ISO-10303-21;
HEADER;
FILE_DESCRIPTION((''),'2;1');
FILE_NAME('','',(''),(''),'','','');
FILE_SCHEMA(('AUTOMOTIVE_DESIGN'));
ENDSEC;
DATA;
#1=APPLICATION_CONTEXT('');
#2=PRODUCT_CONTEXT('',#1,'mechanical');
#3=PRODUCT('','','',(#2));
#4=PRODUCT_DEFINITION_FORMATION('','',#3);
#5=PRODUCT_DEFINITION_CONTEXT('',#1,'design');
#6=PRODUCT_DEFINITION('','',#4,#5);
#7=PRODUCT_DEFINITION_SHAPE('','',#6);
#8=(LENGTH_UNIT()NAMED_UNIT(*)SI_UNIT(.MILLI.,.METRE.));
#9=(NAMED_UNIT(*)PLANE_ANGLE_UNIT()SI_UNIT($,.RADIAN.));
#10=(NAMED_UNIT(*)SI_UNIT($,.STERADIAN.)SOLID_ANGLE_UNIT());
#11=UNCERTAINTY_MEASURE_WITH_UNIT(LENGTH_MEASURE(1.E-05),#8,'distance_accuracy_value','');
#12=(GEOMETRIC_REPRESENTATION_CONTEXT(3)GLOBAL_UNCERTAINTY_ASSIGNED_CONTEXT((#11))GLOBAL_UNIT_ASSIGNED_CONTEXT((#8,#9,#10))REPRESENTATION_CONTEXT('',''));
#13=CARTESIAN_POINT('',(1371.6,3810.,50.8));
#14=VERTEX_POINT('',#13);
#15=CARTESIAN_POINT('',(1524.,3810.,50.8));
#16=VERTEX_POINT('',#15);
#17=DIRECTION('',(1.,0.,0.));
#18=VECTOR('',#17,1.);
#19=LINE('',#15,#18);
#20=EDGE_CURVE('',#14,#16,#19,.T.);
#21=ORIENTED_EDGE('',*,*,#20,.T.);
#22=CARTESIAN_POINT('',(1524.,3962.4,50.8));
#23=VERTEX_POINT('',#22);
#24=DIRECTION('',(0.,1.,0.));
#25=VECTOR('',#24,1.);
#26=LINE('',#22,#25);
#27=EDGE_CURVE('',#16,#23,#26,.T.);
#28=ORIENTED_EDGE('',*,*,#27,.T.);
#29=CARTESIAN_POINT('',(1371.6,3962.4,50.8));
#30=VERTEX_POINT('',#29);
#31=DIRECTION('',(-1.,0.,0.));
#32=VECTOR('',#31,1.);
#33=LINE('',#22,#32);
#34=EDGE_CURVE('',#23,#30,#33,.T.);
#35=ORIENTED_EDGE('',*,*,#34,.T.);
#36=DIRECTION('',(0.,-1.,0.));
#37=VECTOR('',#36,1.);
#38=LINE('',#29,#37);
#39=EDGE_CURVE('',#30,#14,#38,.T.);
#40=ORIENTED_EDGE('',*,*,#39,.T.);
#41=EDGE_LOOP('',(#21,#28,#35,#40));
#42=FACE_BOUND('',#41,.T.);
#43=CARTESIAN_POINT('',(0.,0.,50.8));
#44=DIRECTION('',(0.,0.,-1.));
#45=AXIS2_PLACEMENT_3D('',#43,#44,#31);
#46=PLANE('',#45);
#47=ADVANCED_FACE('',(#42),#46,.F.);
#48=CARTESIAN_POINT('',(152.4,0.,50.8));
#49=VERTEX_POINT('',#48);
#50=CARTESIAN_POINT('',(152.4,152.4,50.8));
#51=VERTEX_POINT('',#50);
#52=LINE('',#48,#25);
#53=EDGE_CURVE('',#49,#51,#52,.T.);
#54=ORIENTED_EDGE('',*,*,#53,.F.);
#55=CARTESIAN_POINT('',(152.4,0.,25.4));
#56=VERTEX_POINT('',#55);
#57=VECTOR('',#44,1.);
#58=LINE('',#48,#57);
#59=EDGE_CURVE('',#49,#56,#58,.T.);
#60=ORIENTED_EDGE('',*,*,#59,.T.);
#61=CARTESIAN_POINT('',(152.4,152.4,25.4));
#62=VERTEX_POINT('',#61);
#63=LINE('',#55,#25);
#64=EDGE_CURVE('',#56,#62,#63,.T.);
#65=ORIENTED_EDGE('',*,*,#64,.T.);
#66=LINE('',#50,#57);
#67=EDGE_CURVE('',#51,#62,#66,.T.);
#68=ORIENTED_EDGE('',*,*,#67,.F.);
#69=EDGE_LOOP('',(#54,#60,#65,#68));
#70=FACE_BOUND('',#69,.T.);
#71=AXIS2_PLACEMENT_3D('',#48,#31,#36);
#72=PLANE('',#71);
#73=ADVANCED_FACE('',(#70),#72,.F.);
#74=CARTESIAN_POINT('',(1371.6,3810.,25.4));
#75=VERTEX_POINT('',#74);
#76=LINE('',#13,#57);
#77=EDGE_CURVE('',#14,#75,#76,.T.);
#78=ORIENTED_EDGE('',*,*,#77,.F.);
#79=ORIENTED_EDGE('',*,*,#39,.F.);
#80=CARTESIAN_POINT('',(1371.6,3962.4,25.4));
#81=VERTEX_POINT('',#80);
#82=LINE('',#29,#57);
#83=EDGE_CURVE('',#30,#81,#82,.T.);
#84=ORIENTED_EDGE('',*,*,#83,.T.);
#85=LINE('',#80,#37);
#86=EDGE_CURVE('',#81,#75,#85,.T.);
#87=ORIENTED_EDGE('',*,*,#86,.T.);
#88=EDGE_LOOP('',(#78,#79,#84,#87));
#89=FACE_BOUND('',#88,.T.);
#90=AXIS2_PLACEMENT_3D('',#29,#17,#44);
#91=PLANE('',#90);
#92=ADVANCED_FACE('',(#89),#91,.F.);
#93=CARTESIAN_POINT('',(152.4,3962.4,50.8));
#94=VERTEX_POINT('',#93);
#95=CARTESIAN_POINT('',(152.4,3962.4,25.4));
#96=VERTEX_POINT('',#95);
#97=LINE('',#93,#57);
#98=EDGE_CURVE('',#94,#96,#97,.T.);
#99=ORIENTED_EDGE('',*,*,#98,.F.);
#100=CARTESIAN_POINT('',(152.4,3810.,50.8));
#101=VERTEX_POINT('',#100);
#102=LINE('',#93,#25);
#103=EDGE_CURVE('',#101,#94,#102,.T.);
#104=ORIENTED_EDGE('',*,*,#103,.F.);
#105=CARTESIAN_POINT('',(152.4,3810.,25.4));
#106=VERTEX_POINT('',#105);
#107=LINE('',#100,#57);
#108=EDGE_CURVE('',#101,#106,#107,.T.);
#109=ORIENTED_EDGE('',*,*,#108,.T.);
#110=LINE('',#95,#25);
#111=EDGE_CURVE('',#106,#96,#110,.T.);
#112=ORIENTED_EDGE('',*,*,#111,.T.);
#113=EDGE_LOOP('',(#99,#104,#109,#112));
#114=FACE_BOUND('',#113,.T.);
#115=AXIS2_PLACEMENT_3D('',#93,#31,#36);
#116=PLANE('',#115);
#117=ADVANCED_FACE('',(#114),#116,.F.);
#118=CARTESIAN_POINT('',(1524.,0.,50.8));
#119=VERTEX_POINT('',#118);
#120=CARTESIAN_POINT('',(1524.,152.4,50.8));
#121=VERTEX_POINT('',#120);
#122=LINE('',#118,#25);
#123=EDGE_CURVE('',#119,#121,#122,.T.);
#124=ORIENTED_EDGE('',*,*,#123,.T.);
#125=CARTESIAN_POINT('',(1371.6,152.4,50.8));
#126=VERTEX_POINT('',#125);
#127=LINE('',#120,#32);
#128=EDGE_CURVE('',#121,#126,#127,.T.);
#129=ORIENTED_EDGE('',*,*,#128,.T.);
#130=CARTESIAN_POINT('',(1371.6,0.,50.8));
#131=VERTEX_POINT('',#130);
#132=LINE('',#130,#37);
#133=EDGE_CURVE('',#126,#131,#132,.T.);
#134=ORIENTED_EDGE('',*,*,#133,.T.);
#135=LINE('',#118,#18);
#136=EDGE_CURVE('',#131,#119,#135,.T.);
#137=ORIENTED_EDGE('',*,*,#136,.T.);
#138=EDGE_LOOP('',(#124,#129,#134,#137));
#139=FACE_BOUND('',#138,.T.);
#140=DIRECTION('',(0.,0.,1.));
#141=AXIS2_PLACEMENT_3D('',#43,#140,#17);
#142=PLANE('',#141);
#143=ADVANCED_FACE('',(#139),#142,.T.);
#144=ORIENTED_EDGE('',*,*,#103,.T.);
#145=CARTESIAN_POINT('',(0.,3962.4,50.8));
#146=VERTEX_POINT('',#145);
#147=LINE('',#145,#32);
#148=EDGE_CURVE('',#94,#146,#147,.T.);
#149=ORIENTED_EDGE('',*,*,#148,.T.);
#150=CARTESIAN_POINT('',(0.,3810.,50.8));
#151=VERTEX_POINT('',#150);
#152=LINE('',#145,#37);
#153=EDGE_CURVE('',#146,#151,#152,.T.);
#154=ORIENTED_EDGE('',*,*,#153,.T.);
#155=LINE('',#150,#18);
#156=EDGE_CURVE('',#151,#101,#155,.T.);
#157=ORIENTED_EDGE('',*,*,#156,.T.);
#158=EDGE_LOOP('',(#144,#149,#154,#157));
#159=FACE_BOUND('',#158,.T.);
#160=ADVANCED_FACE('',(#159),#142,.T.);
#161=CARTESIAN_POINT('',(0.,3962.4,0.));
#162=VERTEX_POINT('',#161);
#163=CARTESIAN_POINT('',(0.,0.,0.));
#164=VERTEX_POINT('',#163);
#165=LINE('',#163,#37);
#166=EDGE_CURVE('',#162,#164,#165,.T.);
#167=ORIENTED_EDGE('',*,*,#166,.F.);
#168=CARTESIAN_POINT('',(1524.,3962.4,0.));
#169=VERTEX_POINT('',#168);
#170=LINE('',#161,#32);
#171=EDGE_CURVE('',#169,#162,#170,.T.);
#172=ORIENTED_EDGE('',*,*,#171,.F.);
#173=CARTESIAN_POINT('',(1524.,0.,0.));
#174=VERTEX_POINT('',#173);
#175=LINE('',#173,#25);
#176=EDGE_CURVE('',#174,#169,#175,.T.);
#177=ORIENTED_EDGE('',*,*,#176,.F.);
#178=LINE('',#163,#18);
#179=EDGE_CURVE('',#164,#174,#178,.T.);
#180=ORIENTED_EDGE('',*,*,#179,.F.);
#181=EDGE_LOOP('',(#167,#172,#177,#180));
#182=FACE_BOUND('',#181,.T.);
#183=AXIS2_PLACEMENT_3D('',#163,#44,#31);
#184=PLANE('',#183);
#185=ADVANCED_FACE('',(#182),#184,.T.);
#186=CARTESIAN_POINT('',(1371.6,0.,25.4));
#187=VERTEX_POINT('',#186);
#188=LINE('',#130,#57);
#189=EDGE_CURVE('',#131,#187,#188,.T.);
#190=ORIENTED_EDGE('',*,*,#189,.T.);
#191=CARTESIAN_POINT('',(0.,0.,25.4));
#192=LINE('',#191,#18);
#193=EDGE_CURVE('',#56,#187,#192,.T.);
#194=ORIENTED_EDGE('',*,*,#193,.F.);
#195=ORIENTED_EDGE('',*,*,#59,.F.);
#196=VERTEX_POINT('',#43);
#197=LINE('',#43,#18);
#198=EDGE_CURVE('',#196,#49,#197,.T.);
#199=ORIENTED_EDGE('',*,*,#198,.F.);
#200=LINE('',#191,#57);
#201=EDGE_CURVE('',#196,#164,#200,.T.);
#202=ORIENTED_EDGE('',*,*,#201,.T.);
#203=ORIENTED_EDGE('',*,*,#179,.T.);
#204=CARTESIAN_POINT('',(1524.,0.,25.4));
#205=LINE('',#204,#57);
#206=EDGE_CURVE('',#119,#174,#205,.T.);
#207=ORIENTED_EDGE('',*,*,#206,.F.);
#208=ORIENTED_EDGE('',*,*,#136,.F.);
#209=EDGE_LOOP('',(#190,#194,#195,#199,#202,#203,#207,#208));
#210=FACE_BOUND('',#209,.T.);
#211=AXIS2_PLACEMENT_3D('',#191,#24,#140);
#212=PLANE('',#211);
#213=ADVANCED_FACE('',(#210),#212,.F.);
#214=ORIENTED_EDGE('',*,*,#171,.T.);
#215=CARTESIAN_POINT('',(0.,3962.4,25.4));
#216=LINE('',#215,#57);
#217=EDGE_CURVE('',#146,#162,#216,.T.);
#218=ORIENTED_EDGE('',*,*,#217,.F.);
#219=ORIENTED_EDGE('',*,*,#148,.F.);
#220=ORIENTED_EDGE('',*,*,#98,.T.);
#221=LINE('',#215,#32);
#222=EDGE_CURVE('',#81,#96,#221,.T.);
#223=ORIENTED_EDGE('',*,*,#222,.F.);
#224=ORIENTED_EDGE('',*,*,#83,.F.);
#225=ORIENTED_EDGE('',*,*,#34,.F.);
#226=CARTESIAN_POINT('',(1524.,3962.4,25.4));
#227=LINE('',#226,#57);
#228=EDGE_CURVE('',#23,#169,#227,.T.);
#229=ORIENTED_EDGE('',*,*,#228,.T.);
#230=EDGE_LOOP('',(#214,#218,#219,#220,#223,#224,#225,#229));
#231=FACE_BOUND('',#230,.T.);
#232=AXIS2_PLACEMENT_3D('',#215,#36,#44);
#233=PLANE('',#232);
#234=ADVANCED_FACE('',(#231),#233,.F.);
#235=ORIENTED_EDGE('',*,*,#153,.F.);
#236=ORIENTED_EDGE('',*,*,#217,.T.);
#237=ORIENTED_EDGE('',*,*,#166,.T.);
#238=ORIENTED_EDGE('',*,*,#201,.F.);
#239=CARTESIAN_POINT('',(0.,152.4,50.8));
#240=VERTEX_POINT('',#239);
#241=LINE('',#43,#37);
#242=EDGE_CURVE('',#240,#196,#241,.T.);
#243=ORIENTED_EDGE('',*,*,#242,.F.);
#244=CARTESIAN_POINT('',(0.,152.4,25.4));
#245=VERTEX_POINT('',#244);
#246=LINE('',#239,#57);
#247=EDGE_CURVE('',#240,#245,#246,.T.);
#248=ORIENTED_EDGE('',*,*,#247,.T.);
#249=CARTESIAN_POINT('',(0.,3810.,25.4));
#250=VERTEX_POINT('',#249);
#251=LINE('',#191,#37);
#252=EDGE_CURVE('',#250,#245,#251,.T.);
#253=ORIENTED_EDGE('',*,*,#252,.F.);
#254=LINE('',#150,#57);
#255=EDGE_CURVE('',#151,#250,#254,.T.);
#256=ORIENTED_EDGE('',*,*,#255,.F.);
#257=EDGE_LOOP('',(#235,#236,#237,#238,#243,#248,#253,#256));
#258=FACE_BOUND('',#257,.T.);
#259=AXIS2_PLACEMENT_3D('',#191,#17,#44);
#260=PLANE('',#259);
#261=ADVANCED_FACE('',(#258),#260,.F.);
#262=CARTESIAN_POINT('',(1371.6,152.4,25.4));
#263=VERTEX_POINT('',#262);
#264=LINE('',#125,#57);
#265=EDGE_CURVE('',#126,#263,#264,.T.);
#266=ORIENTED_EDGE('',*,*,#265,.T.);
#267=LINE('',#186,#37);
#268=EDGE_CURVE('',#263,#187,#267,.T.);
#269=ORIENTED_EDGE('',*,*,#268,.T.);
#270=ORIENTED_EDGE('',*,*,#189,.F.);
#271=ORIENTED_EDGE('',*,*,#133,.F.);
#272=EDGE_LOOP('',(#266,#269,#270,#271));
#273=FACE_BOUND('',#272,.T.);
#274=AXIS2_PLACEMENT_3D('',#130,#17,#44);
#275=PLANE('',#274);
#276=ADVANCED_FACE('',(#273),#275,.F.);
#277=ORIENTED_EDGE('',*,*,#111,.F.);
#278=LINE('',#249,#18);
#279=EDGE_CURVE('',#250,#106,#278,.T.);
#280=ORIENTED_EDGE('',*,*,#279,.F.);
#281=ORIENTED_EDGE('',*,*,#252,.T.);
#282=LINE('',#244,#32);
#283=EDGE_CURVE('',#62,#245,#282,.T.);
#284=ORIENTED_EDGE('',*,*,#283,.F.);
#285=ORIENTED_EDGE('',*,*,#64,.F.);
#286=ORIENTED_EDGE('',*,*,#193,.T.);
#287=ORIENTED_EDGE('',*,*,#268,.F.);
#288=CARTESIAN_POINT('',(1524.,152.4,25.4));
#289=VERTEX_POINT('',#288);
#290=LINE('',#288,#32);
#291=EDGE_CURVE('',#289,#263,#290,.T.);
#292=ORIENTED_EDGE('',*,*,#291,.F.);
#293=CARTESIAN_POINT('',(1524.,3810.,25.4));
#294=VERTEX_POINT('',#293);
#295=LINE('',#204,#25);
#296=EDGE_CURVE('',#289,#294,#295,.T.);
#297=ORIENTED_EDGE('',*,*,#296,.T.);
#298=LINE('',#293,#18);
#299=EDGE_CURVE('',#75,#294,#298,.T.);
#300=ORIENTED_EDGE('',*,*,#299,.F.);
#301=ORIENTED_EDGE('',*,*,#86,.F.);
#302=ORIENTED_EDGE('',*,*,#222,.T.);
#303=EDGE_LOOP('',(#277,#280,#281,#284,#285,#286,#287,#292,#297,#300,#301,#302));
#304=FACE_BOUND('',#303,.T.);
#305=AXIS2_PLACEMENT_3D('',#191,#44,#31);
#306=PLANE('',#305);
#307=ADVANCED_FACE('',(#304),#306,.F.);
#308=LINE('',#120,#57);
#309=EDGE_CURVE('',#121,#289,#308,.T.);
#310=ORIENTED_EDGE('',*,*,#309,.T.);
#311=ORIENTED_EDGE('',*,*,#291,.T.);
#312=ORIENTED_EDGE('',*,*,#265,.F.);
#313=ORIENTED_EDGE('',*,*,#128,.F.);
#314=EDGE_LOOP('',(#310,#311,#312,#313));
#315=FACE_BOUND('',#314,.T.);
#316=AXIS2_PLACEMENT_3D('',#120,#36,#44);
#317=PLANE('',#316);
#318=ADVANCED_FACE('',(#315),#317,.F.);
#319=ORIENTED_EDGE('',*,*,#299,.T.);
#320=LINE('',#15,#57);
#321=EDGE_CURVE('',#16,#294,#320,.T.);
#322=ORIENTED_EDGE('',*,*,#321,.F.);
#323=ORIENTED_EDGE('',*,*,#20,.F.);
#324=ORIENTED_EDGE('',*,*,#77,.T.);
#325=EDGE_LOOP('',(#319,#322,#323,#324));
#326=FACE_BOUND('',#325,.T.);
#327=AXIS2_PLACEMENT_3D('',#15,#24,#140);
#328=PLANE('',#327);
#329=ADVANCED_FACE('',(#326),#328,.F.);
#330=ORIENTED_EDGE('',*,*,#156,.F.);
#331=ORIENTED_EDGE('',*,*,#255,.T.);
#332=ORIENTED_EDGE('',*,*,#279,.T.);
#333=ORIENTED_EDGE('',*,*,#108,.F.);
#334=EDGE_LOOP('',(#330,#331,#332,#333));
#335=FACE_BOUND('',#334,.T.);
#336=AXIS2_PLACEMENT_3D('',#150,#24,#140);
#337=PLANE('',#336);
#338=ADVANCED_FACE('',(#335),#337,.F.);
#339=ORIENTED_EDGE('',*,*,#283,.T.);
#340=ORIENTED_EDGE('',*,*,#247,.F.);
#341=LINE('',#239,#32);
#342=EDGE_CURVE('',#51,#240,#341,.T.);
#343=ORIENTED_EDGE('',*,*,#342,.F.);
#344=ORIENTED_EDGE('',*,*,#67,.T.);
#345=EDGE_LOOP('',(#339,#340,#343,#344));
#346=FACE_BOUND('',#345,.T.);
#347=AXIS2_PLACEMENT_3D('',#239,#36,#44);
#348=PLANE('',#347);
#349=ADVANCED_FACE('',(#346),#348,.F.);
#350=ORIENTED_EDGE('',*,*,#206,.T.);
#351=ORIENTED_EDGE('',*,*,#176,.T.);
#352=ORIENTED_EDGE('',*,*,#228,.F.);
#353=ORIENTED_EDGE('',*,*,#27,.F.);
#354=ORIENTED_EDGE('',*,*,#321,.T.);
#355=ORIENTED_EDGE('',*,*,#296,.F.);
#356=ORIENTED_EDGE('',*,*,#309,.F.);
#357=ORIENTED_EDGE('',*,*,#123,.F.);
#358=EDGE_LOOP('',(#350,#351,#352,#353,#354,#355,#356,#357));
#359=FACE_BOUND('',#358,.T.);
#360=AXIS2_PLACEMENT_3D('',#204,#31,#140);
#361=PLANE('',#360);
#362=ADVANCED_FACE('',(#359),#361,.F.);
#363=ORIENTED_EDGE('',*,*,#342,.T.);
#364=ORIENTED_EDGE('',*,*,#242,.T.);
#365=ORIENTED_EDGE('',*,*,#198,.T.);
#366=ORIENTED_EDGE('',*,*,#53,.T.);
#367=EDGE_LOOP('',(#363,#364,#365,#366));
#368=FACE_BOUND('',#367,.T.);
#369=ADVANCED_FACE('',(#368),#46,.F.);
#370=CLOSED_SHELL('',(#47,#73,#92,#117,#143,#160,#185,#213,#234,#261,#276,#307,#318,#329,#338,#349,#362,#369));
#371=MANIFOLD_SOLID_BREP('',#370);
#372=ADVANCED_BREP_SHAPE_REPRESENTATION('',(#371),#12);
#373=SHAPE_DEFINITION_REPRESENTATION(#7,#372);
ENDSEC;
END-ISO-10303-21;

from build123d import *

# Parameters (mm, degrees)
SKETCH1_W           = 1524
SKETCH1_H           = 3962.4
BOSS_EXTRUDE1_DEPTH = 25.4
SKETCH2_W           = 152.4
SKETCH2_H           = 152.4
BOSS_EXTRUDE2_DEPTH = 25.4


with BuildPart() as part:
    # Sketch1 → Boss-Extrude1 (new body)
    with BuildSketch(Plane.XY):
        with Locations((762, 1981.2)):
            Rectangle(SKETCH1_W, SKETCH1_H)
    extrude(amount=BOSS_EXTRUDE1_DEPTH)

    # Sketch2 → Boss-Extrude2 (add)
    with BuildSketch(Plane.XY.offset(25.4)):
        with Locations((76.2, 3886.2)):
            Rectangle(SKETCH2_W, SKETCH2_H)
        with Locations((1447.8, 3886.2)):
            Rectangle(SKETCH2_W, SKETCH2_H)
        with Locations((1447.8, 76.2)):
            Rectangle(SKETCH2_W, SKETCH2_H)
        with Locations((76.2, 76.2)):
            Rectangle(SKETCH2_W, SKETCH2_H)
    extrude(amount=BOSS_EXTRUDE2_DEPTH)


solid = part.part
